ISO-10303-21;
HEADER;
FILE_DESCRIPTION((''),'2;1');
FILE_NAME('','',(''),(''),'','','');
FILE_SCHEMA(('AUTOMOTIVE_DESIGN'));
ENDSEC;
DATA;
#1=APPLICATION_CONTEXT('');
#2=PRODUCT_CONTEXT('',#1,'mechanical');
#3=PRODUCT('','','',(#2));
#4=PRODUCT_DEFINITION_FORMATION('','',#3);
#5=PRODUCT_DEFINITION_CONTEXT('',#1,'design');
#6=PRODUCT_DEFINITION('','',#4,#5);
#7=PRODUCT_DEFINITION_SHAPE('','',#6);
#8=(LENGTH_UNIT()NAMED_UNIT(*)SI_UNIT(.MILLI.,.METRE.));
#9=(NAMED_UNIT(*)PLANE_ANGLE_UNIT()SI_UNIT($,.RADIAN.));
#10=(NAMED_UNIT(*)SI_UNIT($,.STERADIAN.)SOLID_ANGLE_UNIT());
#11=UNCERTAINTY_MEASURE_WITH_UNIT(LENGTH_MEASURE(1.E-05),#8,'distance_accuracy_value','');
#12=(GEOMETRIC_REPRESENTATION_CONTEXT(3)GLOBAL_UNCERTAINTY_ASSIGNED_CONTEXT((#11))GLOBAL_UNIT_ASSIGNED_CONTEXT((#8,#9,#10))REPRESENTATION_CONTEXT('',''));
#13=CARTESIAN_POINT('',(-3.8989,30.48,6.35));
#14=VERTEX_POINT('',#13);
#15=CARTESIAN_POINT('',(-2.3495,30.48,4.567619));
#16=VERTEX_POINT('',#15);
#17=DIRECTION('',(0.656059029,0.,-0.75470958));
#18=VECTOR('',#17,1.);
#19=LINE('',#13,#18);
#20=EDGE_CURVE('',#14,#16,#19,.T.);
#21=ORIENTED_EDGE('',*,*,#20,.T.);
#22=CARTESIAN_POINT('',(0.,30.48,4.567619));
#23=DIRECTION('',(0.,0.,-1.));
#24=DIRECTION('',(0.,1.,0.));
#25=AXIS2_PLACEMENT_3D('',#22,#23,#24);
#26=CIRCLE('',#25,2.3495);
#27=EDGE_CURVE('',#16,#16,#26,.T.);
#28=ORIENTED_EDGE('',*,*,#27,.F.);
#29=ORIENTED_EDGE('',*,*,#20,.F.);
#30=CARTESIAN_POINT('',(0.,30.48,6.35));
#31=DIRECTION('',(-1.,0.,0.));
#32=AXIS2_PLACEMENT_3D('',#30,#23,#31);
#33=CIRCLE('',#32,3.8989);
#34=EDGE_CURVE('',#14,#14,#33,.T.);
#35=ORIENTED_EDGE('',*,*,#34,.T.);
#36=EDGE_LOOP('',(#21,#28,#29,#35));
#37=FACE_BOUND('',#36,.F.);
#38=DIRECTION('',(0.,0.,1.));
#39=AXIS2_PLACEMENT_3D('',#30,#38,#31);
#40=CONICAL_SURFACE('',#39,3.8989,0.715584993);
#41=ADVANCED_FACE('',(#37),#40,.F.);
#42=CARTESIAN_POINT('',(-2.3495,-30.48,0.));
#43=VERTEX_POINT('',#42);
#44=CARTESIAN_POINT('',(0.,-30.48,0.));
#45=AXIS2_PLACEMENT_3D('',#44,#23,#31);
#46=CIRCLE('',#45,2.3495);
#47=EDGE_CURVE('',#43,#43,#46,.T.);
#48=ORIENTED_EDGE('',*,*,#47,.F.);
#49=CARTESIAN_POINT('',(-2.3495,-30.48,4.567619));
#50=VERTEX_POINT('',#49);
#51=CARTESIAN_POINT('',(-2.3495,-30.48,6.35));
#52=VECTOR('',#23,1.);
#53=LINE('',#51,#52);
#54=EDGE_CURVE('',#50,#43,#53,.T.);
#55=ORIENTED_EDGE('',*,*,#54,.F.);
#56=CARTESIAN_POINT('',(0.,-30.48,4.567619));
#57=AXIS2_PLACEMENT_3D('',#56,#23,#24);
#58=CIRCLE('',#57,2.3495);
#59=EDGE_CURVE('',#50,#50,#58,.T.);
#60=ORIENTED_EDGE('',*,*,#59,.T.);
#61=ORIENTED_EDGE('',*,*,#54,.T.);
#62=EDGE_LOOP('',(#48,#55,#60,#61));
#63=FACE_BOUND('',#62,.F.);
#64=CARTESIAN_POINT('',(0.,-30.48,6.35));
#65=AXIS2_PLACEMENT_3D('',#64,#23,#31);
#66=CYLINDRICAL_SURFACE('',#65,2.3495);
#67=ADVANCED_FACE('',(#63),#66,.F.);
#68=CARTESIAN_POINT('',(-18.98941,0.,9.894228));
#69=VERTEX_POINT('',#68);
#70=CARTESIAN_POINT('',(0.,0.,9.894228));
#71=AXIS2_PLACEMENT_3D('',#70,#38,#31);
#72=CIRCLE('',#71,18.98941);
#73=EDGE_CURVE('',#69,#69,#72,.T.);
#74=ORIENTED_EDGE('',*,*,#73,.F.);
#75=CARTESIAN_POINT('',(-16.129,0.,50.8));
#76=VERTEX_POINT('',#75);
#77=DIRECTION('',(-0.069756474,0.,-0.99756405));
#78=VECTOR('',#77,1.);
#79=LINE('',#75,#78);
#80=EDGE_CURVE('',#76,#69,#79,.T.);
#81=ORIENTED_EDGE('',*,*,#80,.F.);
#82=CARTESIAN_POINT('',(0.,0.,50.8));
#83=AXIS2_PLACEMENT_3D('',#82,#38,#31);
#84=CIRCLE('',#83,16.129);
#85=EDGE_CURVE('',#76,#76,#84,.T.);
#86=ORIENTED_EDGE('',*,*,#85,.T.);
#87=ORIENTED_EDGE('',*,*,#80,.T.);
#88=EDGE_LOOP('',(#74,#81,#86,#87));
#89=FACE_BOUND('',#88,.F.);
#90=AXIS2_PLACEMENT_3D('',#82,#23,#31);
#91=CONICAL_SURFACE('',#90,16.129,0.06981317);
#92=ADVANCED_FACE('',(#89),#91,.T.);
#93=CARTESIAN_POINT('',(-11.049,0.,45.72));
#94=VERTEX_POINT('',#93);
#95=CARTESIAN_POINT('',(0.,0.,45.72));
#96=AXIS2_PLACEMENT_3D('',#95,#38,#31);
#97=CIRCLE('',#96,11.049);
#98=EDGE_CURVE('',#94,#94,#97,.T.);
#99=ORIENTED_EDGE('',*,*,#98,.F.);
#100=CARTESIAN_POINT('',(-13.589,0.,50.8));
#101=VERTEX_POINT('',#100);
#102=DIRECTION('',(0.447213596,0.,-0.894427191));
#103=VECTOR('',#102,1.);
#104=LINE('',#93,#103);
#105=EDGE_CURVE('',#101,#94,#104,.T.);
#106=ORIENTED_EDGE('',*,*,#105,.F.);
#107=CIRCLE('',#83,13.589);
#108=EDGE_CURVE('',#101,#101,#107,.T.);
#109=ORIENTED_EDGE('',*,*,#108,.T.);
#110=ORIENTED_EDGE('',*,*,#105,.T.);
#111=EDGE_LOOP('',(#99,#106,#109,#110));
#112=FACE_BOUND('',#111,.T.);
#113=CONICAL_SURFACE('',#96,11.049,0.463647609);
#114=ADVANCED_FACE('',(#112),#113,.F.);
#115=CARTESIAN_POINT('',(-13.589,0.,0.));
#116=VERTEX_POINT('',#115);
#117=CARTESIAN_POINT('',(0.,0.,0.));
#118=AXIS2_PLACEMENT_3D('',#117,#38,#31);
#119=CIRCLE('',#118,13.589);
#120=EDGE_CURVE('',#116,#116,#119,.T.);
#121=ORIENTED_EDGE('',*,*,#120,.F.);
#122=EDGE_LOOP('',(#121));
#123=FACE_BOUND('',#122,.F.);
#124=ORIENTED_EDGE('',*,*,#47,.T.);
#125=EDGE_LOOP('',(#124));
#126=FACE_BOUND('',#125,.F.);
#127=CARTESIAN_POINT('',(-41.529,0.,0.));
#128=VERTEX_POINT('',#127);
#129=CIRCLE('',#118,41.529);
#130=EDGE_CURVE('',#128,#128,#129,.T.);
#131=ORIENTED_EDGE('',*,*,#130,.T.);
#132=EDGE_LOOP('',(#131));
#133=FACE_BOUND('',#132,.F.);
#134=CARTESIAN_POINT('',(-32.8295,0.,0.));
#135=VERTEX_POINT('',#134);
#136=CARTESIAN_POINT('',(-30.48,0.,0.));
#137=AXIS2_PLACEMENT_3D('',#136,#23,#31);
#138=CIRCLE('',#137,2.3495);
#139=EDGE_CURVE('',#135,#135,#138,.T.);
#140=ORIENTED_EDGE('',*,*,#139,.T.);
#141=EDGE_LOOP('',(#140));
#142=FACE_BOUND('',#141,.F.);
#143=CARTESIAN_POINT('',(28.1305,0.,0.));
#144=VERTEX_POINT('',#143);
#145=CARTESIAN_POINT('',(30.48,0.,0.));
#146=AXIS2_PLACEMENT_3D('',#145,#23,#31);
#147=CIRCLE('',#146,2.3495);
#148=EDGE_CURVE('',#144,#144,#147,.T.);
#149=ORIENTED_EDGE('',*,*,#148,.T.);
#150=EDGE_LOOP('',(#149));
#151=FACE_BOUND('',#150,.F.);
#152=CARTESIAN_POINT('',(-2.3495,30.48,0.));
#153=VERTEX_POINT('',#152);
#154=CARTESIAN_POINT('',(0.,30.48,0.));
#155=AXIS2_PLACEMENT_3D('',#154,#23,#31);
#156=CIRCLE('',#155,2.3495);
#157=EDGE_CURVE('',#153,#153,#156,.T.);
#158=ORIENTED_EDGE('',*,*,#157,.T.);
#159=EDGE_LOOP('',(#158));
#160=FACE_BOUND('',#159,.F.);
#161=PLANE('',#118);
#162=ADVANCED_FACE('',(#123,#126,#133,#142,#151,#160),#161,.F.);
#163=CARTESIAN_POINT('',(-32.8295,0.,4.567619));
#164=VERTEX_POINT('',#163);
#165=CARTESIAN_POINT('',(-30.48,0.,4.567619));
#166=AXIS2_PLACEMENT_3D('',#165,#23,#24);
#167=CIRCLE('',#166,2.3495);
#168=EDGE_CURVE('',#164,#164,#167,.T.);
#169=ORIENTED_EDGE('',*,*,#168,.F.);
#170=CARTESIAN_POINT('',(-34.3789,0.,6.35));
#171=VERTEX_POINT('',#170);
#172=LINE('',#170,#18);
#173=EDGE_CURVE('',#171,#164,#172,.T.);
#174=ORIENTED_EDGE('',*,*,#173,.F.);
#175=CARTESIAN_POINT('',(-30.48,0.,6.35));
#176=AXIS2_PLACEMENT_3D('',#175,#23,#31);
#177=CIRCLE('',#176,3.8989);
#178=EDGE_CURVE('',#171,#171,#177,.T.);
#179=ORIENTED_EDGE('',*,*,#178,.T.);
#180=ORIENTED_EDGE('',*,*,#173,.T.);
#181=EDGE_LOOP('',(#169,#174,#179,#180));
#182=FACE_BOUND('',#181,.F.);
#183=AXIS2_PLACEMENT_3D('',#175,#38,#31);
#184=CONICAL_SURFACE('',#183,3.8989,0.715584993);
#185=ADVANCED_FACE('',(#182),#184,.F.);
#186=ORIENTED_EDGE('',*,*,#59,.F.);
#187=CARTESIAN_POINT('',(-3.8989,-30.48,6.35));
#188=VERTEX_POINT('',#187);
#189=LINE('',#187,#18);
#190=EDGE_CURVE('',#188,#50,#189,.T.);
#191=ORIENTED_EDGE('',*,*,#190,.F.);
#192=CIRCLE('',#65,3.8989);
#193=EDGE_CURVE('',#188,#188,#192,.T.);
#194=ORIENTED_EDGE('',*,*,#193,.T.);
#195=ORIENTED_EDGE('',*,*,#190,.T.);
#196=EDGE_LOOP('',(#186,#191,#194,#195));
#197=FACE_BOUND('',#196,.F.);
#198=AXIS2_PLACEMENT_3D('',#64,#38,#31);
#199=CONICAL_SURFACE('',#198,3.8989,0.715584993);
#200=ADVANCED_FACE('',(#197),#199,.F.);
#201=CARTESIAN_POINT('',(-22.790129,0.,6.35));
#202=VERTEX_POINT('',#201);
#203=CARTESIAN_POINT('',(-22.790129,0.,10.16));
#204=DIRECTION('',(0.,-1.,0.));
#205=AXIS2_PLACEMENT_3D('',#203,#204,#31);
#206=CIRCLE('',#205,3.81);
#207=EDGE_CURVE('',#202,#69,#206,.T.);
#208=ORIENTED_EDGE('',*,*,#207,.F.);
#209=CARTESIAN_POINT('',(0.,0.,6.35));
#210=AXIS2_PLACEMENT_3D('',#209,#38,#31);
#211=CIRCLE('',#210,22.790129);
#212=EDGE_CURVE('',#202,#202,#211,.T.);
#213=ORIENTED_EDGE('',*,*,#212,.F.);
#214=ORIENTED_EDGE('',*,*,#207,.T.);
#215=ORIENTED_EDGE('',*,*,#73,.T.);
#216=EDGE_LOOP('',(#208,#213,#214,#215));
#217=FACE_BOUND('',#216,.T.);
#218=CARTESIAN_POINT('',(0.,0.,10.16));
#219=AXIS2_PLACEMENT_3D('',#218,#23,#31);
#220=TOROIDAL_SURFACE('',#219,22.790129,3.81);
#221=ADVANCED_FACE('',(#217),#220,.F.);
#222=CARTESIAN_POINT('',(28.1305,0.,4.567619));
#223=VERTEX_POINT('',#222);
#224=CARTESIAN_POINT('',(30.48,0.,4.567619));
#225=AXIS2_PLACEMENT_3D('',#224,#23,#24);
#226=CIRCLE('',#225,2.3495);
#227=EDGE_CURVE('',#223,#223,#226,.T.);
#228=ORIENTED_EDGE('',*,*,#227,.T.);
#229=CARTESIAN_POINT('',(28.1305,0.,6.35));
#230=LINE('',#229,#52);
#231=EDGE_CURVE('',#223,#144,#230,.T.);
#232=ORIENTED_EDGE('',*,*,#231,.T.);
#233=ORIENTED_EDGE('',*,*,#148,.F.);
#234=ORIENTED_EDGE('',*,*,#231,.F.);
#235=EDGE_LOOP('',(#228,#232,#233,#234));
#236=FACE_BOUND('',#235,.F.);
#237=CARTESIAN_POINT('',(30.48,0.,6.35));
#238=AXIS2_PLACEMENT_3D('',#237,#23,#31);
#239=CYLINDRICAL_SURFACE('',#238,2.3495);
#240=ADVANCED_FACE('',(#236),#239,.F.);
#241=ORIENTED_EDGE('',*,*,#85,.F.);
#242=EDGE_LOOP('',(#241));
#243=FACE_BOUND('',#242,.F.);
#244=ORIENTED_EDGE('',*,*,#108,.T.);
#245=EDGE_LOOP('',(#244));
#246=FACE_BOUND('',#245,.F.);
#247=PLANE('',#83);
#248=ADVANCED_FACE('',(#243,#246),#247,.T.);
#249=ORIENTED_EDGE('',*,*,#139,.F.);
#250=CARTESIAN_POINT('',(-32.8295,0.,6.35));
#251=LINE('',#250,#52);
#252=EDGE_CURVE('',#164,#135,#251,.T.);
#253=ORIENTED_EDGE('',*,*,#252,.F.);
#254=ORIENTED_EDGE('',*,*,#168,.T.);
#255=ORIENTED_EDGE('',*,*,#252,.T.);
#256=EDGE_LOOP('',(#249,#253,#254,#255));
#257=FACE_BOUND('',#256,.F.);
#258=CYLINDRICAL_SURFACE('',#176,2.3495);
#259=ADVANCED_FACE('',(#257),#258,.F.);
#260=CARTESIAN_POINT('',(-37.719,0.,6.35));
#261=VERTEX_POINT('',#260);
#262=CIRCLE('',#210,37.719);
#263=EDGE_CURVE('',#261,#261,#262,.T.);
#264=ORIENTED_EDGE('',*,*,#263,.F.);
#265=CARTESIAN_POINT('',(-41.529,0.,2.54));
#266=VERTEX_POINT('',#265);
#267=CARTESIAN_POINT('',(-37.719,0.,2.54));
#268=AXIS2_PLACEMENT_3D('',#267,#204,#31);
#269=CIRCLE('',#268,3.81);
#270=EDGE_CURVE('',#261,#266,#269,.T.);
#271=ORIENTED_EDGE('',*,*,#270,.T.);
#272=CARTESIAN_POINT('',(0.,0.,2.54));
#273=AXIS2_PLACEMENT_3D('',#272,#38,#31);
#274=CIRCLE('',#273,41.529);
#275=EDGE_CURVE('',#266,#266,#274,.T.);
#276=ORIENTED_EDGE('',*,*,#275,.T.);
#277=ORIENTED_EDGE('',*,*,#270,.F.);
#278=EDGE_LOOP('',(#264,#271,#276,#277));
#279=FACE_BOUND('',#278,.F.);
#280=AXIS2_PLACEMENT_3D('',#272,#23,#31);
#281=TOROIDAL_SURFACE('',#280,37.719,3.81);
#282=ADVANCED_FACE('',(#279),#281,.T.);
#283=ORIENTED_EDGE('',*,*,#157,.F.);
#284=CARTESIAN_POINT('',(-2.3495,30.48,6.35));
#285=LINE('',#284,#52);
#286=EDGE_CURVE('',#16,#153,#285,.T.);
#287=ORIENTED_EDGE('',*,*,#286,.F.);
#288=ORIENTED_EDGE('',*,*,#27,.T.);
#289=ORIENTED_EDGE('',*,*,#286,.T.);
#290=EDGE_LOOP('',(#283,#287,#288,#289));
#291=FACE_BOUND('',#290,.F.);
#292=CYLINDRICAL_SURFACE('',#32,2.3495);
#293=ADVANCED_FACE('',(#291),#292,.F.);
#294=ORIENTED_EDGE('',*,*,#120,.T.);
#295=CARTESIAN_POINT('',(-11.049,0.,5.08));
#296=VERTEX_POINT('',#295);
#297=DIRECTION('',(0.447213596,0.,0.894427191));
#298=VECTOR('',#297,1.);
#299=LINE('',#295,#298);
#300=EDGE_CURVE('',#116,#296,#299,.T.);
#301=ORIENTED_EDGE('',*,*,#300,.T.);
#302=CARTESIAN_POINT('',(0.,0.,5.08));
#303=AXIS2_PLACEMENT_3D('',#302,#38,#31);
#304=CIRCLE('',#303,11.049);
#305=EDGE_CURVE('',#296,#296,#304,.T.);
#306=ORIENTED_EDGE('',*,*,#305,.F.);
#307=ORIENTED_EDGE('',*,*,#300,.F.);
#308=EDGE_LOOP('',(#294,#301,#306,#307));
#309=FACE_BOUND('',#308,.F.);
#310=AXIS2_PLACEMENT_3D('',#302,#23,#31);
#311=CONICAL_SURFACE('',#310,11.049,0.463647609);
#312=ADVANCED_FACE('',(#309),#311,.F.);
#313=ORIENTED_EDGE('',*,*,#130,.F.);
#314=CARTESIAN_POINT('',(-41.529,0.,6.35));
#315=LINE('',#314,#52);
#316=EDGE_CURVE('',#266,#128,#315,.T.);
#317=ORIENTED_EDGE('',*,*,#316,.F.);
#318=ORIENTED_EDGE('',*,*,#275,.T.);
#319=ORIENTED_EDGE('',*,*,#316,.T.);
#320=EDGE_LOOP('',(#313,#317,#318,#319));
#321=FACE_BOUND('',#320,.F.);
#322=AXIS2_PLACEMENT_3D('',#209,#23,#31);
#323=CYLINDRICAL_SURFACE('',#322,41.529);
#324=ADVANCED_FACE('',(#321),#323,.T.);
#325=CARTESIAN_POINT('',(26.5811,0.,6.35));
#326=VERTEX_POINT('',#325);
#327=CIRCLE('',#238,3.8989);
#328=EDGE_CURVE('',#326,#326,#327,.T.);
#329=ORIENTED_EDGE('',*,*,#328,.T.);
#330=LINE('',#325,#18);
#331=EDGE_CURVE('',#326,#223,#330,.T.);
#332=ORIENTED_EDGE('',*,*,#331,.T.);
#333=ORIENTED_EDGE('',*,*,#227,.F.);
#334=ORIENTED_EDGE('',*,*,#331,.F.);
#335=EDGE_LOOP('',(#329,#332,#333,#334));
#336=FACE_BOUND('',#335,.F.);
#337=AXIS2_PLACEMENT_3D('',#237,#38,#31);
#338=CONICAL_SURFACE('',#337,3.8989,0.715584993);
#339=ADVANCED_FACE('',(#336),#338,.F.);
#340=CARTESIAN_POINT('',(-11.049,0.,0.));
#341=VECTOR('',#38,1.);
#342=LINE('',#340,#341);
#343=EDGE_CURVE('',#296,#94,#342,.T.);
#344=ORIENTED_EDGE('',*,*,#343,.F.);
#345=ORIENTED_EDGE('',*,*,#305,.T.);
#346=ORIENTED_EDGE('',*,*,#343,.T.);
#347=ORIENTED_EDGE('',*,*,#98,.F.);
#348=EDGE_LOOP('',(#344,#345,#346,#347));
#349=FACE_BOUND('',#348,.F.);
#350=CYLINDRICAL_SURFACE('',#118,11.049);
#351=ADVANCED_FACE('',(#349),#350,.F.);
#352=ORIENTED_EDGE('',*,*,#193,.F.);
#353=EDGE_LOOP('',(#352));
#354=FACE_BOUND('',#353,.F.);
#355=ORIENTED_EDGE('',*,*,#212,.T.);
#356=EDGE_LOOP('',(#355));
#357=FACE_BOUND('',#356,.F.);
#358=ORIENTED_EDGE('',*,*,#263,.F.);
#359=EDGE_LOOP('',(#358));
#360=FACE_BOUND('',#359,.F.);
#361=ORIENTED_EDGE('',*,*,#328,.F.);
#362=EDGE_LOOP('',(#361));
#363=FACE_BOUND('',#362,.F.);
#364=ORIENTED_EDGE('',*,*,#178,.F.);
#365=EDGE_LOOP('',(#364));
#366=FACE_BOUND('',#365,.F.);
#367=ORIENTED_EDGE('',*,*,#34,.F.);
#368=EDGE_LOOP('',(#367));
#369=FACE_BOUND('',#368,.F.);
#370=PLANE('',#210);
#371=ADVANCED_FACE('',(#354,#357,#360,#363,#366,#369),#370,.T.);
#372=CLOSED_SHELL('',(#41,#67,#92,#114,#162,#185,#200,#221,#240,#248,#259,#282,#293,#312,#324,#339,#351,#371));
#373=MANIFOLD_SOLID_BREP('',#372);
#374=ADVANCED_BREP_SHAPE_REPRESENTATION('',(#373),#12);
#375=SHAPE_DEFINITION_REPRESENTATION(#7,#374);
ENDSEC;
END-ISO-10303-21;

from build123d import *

# Parameters (mm, degrees)
F3_D           = 4.699
F3_CSINK_D     = 7.7978
F3_CSINK_ANGLE = 82
F4_R           = 3.81
F5_SIZE2       = 5.08
F5_SIZE        = 2.54


with BuildPart() as f1:
    # F0 (on Front) → F1 (revolve)
    with BuildSketch(Plane.XZ):
        Polygon((-41.529, 0), (-11.049, 0), (-11.049, 50.8), (-16.129, 50.8), (-19.2372467909, 6.35), (-41.529, 6.35), align=None)
    revolve(axis=Axis((0, 0, 5.6630113419), (0, 0, 1)))

    # F3 (through all)
    with Locations(Plane.XY.offset(6.35)):
        with Locations((-30.48, 0), (0, 30.48), (30.48, 0), (0, -30.48)):
            CounterSinkHole(F3_D / 2, F3_CSINK_D / 2, counter_sink_angle=F3_CSINK_ANGLE)

    # F4
    f4_edges = [f1.edges().sort_by_distance(p)[0] for p in [
        (41.529, 0, 6.35),
        (19.237247, 0, 6.35),
    ]]
    fillet(f4_edges, radius=F4_R)

    # F5
    f5_edges = [f1.edges().sort_by_distance(p)[0] for p in [
        (11.049, 0, 0),
        (11.049, 0, 50.8),
        (-11.049, 0, 25.4),
    ]]
    chamfer(f5_edges, length=F5_SIZE, length2=F5_SIZE2)


solid = f1.part
